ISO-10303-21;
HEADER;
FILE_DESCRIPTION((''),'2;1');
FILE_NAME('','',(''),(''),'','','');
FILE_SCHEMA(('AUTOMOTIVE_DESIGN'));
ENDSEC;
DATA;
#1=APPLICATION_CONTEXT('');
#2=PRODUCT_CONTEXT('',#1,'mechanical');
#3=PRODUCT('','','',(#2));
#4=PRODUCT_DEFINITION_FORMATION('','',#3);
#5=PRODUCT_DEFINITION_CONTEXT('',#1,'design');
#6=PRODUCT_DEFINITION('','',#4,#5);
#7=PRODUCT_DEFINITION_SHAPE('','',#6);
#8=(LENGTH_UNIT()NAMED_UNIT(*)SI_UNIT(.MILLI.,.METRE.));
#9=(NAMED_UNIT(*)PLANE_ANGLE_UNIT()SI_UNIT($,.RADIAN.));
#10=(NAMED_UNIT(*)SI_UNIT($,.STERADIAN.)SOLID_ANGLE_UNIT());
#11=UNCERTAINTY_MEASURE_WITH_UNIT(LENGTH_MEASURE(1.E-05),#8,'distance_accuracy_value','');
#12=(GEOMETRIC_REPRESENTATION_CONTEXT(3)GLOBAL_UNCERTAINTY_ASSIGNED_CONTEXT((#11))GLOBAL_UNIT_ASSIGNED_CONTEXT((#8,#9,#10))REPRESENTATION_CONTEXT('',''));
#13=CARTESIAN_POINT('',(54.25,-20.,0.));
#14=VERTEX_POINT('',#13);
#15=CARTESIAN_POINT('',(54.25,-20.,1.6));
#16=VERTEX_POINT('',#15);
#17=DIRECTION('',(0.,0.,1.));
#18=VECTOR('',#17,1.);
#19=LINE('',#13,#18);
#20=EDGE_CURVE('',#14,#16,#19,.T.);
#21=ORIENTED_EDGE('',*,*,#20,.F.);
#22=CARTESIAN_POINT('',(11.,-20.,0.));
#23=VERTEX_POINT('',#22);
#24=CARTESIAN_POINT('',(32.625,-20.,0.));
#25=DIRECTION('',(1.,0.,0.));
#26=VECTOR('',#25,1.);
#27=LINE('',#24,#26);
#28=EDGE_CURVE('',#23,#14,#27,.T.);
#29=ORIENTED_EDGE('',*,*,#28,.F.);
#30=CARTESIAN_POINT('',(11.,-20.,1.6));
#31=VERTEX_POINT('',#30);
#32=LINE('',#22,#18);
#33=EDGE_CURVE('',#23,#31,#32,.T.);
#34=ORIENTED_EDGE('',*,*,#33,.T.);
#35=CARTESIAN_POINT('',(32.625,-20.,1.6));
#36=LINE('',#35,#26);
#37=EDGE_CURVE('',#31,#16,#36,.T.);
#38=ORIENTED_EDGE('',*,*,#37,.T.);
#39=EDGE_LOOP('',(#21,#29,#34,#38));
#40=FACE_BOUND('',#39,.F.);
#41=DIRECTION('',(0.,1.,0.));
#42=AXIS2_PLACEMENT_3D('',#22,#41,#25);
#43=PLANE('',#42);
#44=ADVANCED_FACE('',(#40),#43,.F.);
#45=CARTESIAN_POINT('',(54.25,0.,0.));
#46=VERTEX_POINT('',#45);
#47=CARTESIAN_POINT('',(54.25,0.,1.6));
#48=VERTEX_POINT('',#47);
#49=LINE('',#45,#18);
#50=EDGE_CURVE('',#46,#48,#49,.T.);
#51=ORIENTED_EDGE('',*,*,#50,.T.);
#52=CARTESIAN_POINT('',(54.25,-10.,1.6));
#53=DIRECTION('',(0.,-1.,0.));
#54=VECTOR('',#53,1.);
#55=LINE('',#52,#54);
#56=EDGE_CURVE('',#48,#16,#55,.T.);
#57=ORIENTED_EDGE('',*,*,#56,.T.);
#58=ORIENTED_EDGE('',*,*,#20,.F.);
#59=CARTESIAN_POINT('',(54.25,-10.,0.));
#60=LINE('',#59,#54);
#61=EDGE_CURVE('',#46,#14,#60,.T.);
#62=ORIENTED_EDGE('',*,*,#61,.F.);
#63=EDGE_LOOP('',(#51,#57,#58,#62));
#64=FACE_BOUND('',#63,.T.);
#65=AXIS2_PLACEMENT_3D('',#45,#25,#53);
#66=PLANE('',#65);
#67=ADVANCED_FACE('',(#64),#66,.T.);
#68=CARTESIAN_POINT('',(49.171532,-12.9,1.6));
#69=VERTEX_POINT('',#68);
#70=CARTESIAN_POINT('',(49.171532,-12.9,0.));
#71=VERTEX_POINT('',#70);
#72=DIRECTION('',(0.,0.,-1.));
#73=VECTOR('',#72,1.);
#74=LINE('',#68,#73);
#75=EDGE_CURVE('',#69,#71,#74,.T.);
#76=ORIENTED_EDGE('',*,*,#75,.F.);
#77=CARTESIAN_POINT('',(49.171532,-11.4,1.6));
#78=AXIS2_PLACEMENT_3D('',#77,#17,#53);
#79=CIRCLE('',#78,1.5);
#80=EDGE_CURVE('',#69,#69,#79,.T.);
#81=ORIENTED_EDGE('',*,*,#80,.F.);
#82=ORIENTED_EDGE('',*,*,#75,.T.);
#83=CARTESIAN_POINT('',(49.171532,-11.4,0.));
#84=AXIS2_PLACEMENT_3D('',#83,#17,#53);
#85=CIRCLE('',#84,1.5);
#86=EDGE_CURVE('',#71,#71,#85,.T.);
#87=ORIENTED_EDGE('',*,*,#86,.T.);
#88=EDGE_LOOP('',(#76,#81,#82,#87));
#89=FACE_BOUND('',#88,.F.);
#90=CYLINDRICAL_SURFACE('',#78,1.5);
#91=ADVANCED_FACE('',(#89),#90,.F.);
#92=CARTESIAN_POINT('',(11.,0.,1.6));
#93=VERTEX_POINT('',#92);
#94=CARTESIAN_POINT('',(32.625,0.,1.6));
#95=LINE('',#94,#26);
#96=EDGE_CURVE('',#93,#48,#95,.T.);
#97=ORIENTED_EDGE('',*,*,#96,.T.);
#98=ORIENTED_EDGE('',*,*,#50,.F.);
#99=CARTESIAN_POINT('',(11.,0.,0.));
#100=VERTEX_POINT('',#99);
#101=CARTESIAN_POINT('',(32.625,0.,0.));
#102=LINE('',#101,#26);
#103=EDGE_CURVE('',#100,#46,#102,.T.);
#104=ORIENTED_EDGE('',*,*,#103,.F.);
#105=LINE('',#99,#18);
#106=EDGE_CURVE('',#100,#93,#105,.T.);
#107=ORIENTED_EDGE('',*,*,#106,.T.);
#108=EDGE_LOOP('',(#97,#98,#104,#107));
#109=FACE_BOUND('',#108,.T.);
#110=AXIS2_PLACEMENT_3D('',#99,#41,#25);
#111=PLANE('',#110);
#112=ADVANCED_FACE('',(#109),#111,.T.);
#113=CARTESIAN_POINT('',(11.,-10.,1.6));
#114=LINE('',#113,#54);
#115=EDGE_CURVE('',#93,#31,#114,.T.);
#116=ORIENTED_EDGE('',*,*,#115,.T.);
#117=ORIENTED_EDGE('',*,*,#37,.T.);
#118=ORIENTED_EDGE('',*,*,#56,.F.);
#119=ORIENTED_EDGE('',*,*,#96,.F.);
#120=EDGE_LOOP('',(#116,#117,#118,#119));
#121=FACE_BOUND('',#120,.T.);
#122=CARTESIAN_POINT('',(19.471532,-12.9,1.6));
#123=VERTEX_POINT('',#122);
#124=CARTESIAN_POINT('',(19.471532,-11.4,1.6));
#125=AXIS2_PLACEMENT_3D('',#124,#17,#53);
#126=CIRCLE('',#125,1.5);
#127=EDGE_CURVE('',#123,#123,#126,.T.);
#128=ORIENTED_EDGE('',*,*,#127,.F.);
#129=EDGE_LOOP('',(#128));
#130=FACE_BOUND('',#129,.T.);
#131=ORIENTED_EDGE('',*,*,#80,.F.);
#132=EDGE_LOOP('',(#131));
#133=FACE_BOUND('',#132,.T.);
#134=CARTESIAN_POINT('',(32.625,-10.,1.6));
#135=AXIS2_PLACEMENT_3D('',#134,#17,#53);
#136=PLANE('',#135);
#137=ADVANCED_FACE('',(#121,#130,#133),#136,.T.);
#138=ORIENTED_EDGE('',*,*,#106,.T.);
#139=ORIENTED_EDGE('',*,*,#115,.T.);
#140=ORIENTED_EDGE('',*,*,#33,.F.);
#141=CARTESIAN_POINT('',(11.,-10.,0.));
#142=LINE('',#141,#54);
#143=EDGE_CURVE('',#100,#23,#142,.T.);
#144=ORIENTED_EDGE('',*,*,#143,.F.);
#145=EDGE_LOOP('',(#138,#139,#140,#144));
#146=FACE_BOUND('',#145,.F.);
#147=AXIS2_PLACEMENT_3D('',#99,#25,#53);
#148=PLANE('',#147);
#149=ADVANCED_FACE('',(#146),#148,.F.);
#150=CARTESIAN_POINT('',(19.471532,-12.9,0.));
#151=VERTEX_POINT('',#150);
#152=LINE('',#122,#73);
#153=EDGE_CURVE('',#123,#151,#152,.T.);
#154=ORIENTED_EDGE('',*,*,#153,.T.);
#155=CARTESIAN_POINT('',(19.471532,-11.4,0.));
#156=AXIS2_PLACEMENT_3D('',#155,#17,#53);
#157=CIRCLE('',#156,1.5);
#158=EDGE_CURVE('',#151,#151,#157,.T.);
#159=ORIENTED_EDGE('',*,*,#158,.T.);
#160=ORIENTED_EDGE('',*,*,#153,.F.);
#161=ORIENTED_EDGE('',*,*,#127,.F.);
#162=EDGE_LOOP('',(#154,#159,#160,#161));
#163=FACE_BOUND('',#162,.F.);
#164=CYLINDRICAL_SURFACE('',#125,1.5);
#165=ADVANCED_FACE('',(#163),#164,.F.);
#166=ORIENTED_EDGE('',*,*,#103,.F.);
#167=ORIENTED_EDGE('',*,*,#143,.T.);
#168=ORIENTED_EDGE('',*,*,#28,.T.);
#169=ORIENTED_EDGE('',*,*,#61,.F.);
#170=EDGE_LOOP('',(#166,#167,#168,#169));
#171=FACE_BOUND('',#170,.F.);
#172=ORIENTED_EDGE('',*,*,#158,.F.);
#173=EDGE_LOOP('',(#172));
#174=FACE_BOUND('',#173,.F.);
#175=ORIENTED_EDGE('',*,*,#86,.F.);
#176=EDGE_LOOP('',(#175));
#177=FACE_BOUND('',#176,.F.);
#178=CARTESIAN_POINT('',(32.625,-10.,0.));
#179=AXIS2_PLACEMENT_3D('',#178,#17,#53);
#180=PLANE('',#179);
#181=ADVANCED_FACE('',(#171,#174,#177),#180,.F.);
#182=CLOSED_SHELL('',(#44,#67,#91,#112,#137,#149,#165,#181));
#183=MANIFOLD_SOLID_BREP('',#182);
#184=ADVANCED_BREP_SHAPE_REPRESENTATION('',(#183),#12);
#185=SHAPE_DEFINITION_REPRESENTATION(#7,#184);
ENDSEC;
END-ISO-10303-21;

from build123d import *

# Parameters (mm, degrees)
SKETCH004_R      = 1.5
EXTRUDE004_DEPTH = 2
BOX002_W         = 20
BOX002_H         = 43.25
BOX002_DEPTH     = 1.6


with BuildPart() as holesextrude:
    # Sketch004 (on Face6 of Box002) → Extrude004 (new body)
    with BuildSketch(Plane(origin=(11, 0, 1.6), x_dir=(0, -1, 0), z_dir=(0, 0, 1))):
        with Locations((11.4, 38.171532)):
            Circle(SKETCH004_R)
        with Locations((11.4, 8.471532)):
            Circle(SKETCH004_R)
    extrude(amount=-EXTRUDE004_DEPTH)


with BuildPart() as board002:
    # Box002 → Box002 (new body)
    with BuildSketch(Plane(origin=(11, 0, 0), x_dir=(0, -1, 0), z_dir=(0, 0, 1))):
        with Locations((10, 21.625)):
            Rectangle(BOX002_W, BOX002_H)
    extrude(amount=BOX002_DEPTH)

    # Cut001: cut HolesExtrude
    add(holesextrude.part, mode=Mode.SUBTRACT)


solid = board002.part
